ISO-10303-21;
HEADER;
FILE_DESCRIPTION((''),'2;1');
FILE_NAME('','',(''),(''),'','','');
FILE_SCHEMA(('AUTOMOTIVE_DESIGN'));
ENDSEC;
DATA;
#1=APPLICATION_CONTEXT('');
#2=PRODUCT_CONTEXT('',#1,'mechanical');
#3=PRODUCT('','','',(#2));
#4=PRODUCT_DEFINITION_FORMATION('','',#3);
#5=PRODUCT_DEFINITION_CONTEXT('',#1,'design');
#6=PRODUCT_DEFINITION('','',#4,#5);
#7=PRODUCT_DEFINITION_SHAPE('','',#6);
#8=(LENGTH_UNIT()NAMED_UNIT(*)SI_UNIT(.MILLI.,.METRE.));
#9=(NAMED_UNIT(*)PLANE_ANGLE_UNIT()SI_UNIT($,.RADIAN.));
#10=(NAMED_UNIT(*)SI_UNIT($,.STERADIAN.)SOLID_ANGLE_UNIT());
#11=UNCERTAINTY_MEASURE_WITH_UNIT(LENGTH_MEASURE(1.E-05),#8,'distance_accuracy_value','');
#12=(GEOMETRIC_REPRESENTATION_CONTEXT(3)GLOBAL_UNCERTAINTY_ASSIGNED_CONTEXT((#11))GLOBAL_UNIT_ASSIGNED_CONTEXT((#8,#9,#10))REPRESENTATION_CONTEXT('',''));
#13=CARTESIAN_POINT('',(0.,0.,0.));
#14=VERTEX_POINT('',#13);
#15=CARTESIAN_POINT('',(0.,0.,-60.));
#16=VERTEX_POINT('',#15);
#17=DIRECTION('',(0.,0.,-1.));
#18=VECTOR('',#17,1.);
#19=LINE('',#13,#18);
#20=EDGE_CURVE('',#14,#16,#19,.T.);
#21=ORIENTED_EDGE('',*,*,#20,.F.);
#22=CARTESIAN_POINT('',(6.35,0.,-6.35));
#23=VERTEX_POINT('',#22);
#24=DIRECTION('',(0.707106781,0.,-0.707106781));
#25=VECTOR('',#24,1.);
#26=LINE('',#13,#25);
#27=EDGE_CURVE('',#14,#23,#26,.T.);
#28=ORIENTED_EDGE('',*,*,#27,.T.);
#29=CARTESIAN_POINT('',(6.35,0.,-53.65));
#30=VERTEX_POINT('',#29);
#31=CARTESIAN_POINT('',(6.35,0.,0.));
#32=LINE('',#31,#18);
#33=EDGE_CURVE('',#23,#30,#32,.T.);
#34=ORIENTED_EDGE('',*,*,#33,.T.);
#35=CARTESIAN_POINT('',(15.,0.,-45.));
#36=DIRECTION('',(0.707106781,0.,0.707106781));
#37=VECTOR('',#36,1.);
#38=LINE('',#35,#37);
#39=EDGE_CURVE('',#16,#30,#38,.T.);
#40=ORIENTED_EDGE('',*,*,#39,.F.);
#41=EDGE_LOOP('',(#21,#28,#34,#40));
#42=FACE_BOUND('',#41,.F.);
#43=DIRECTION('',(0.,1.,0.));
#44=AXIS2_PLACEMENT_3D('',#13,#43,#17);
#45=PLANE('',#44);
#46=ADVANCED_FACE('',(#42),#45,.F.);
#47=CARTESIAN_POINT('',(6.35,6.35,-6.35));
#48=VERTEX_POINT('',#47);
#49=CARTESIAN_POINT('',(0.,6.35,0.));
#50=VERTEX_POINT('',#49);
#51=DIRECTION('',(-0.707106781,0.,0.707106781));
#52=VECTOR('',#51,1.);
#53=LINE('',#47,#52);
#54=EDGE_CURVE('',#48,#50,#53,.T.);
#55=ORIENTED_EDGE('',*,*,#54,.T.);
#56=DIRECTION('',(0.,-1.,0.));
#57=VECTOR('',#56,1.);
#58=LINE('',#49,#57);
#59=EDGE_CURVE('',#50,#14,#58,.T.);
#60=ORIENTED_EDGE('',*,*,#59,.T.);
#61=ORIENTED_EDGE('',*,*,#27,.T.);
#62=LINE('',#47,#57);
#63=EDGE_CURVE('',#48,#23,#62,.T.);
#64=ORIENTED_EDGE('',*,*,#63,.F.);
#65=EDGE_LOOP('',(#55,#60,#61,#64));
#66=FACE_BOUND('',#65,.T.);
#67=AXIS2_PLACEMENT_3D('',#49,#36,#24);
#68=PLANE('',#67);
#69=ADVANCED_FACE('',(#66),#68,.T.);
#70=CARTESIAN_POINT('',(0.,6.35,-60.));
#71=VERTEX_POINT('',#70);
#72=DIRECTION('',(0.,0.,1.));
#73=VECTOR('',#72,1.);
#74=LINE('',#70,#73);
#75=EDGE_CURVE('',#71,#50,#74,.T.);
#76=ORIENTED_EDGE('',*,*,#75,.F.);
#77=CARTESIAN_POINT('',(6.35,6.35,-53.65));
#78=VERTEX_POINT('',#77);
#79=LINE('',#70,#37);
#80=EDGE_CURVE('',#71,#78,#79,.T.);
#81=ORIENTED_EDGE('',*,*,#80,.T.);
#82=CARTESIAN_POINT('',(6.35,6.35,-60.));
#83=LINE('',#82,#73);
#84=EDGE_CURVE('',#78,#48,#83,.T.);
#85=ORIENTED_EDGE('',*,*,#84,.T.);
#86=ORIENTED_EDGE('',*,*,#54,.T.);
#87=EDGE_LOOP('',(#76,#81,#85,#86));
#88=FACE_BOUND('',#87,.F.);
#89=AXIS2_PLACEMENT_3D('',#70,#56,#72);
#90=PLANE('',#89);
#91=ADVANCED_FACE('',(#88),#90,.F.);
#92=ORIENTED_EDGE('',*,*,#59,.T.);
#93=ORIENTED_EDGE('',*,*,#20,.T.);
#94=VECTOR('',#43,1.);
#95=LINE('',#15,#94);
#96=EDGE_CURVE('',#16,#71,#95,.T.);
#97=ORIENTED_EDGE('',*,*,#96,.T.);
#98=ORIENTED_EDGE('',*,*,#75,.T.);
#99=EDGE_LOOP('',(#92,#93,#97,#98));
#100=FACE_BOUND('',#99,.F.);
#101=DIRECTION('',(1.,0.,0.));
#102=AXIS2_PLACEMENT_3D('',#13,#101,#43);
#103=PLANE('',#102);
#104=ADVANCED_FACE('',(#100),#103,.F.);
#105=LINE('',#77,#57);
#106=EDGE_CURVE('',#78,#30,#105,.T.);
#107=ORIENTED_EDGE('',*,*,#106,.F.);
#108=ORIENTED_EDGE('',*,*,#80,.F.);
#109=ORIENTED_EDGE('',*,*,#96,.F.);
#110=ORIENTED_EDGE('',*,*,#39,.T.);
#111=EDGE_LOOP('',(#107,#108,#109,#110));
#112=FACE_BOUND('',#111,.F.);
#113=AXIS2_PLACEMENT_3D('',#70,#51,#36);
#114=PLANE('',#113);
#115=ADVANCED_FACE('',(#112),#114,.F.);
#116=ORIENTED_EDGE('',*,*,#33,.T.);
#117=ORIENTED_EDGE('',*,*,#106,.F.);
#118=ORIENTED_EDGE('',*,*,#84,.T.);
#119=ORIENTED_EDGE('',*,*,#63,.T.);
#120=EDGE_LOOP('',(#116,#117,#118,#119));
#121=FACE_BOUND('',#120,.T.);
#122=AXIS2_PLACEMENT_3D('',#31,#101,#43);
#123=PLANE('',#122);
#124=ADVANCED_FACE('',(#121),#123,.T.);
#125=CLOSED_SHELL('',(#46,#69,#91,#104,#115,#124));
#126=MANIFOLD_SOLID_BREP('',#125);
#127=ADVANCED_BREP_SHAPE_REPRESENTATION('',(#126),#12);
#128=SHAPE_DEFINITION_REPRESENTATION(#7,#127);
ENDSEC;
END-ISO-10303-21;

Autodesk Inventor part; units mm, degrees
ref_plane "YZ Plane" through (0, 0, 0) normal (1, 0, 0) x (0, 1, 0)
ref_plane "XZ Plane" through (0, 0, 0) normal (0, 1, 0) x (-1, 0, 0)
ref_plane "XY Plane" through (0, 0, 0) normal (0, 0, 1) x (1, 0, 0)
sketch "Sketch1" plane through (0, 0, 0) normal (1, 0, 0) x (0, 1, 0)
  line L0 (0, 0) -> (0, -60)
  line L1 (0, -60) -> (6.35, -60)
  line L2 (6.35, -60) -> (6.35, 0)
  line L3 (6.35, 0) -> (0, 0)
  dimension "d0" = 60
  dimension "d1" = 6.35
extrude "Extrusion1" add sketch "Sketch1" along normal blind 6.35
sketch "Sketch2" plane through (0, 6.35, 0) normal (0, 1, 0) x (1, 0, 0)
  line L0 (0, 60) -> (0, 0) projected
  line L1 (0, 0) -> (4.3687, 4.3687)
  line L2 (0, 0) -> (6.1782, 0) construction
  line L3 (4.3687, 4.3687) -> (6.35, 6.35)
  line L4 (6.35, 60) -> (6.35, 0) projected
  line L5 (6.35, 6.35) -> (6.35, 0)
  line L6 (0, 0) -> (6.35, 0) projected
  line L7 (6.35, 0) -> (0, 0)
  dimension "d4" = 45
extrude "Extrusion2" cut sketch "Sketch2" against normal blind 10
sketch "Sketch3" plane through (0, 6.35, -60) normal (0, 1, 0) x (1, 0, 0)
  line L0 (0, 0) -> (6.35, -6.35)
  line L1 (6.35, 0) -> (6.35, -53.65) projected
  line L2 (0, 0) -> (8.9803, 0) construction
  line L3 (6.35, -6.35) -> (6.35, 0)
  line L4 (6.35, 0) -> (0, 0)
  point P0 (0, -60)
  dimension "d7" = 45
extrude "Extrusion3" cut sketch "Sketch3" against normal blind 10
properties part number "Angles in little squares"
